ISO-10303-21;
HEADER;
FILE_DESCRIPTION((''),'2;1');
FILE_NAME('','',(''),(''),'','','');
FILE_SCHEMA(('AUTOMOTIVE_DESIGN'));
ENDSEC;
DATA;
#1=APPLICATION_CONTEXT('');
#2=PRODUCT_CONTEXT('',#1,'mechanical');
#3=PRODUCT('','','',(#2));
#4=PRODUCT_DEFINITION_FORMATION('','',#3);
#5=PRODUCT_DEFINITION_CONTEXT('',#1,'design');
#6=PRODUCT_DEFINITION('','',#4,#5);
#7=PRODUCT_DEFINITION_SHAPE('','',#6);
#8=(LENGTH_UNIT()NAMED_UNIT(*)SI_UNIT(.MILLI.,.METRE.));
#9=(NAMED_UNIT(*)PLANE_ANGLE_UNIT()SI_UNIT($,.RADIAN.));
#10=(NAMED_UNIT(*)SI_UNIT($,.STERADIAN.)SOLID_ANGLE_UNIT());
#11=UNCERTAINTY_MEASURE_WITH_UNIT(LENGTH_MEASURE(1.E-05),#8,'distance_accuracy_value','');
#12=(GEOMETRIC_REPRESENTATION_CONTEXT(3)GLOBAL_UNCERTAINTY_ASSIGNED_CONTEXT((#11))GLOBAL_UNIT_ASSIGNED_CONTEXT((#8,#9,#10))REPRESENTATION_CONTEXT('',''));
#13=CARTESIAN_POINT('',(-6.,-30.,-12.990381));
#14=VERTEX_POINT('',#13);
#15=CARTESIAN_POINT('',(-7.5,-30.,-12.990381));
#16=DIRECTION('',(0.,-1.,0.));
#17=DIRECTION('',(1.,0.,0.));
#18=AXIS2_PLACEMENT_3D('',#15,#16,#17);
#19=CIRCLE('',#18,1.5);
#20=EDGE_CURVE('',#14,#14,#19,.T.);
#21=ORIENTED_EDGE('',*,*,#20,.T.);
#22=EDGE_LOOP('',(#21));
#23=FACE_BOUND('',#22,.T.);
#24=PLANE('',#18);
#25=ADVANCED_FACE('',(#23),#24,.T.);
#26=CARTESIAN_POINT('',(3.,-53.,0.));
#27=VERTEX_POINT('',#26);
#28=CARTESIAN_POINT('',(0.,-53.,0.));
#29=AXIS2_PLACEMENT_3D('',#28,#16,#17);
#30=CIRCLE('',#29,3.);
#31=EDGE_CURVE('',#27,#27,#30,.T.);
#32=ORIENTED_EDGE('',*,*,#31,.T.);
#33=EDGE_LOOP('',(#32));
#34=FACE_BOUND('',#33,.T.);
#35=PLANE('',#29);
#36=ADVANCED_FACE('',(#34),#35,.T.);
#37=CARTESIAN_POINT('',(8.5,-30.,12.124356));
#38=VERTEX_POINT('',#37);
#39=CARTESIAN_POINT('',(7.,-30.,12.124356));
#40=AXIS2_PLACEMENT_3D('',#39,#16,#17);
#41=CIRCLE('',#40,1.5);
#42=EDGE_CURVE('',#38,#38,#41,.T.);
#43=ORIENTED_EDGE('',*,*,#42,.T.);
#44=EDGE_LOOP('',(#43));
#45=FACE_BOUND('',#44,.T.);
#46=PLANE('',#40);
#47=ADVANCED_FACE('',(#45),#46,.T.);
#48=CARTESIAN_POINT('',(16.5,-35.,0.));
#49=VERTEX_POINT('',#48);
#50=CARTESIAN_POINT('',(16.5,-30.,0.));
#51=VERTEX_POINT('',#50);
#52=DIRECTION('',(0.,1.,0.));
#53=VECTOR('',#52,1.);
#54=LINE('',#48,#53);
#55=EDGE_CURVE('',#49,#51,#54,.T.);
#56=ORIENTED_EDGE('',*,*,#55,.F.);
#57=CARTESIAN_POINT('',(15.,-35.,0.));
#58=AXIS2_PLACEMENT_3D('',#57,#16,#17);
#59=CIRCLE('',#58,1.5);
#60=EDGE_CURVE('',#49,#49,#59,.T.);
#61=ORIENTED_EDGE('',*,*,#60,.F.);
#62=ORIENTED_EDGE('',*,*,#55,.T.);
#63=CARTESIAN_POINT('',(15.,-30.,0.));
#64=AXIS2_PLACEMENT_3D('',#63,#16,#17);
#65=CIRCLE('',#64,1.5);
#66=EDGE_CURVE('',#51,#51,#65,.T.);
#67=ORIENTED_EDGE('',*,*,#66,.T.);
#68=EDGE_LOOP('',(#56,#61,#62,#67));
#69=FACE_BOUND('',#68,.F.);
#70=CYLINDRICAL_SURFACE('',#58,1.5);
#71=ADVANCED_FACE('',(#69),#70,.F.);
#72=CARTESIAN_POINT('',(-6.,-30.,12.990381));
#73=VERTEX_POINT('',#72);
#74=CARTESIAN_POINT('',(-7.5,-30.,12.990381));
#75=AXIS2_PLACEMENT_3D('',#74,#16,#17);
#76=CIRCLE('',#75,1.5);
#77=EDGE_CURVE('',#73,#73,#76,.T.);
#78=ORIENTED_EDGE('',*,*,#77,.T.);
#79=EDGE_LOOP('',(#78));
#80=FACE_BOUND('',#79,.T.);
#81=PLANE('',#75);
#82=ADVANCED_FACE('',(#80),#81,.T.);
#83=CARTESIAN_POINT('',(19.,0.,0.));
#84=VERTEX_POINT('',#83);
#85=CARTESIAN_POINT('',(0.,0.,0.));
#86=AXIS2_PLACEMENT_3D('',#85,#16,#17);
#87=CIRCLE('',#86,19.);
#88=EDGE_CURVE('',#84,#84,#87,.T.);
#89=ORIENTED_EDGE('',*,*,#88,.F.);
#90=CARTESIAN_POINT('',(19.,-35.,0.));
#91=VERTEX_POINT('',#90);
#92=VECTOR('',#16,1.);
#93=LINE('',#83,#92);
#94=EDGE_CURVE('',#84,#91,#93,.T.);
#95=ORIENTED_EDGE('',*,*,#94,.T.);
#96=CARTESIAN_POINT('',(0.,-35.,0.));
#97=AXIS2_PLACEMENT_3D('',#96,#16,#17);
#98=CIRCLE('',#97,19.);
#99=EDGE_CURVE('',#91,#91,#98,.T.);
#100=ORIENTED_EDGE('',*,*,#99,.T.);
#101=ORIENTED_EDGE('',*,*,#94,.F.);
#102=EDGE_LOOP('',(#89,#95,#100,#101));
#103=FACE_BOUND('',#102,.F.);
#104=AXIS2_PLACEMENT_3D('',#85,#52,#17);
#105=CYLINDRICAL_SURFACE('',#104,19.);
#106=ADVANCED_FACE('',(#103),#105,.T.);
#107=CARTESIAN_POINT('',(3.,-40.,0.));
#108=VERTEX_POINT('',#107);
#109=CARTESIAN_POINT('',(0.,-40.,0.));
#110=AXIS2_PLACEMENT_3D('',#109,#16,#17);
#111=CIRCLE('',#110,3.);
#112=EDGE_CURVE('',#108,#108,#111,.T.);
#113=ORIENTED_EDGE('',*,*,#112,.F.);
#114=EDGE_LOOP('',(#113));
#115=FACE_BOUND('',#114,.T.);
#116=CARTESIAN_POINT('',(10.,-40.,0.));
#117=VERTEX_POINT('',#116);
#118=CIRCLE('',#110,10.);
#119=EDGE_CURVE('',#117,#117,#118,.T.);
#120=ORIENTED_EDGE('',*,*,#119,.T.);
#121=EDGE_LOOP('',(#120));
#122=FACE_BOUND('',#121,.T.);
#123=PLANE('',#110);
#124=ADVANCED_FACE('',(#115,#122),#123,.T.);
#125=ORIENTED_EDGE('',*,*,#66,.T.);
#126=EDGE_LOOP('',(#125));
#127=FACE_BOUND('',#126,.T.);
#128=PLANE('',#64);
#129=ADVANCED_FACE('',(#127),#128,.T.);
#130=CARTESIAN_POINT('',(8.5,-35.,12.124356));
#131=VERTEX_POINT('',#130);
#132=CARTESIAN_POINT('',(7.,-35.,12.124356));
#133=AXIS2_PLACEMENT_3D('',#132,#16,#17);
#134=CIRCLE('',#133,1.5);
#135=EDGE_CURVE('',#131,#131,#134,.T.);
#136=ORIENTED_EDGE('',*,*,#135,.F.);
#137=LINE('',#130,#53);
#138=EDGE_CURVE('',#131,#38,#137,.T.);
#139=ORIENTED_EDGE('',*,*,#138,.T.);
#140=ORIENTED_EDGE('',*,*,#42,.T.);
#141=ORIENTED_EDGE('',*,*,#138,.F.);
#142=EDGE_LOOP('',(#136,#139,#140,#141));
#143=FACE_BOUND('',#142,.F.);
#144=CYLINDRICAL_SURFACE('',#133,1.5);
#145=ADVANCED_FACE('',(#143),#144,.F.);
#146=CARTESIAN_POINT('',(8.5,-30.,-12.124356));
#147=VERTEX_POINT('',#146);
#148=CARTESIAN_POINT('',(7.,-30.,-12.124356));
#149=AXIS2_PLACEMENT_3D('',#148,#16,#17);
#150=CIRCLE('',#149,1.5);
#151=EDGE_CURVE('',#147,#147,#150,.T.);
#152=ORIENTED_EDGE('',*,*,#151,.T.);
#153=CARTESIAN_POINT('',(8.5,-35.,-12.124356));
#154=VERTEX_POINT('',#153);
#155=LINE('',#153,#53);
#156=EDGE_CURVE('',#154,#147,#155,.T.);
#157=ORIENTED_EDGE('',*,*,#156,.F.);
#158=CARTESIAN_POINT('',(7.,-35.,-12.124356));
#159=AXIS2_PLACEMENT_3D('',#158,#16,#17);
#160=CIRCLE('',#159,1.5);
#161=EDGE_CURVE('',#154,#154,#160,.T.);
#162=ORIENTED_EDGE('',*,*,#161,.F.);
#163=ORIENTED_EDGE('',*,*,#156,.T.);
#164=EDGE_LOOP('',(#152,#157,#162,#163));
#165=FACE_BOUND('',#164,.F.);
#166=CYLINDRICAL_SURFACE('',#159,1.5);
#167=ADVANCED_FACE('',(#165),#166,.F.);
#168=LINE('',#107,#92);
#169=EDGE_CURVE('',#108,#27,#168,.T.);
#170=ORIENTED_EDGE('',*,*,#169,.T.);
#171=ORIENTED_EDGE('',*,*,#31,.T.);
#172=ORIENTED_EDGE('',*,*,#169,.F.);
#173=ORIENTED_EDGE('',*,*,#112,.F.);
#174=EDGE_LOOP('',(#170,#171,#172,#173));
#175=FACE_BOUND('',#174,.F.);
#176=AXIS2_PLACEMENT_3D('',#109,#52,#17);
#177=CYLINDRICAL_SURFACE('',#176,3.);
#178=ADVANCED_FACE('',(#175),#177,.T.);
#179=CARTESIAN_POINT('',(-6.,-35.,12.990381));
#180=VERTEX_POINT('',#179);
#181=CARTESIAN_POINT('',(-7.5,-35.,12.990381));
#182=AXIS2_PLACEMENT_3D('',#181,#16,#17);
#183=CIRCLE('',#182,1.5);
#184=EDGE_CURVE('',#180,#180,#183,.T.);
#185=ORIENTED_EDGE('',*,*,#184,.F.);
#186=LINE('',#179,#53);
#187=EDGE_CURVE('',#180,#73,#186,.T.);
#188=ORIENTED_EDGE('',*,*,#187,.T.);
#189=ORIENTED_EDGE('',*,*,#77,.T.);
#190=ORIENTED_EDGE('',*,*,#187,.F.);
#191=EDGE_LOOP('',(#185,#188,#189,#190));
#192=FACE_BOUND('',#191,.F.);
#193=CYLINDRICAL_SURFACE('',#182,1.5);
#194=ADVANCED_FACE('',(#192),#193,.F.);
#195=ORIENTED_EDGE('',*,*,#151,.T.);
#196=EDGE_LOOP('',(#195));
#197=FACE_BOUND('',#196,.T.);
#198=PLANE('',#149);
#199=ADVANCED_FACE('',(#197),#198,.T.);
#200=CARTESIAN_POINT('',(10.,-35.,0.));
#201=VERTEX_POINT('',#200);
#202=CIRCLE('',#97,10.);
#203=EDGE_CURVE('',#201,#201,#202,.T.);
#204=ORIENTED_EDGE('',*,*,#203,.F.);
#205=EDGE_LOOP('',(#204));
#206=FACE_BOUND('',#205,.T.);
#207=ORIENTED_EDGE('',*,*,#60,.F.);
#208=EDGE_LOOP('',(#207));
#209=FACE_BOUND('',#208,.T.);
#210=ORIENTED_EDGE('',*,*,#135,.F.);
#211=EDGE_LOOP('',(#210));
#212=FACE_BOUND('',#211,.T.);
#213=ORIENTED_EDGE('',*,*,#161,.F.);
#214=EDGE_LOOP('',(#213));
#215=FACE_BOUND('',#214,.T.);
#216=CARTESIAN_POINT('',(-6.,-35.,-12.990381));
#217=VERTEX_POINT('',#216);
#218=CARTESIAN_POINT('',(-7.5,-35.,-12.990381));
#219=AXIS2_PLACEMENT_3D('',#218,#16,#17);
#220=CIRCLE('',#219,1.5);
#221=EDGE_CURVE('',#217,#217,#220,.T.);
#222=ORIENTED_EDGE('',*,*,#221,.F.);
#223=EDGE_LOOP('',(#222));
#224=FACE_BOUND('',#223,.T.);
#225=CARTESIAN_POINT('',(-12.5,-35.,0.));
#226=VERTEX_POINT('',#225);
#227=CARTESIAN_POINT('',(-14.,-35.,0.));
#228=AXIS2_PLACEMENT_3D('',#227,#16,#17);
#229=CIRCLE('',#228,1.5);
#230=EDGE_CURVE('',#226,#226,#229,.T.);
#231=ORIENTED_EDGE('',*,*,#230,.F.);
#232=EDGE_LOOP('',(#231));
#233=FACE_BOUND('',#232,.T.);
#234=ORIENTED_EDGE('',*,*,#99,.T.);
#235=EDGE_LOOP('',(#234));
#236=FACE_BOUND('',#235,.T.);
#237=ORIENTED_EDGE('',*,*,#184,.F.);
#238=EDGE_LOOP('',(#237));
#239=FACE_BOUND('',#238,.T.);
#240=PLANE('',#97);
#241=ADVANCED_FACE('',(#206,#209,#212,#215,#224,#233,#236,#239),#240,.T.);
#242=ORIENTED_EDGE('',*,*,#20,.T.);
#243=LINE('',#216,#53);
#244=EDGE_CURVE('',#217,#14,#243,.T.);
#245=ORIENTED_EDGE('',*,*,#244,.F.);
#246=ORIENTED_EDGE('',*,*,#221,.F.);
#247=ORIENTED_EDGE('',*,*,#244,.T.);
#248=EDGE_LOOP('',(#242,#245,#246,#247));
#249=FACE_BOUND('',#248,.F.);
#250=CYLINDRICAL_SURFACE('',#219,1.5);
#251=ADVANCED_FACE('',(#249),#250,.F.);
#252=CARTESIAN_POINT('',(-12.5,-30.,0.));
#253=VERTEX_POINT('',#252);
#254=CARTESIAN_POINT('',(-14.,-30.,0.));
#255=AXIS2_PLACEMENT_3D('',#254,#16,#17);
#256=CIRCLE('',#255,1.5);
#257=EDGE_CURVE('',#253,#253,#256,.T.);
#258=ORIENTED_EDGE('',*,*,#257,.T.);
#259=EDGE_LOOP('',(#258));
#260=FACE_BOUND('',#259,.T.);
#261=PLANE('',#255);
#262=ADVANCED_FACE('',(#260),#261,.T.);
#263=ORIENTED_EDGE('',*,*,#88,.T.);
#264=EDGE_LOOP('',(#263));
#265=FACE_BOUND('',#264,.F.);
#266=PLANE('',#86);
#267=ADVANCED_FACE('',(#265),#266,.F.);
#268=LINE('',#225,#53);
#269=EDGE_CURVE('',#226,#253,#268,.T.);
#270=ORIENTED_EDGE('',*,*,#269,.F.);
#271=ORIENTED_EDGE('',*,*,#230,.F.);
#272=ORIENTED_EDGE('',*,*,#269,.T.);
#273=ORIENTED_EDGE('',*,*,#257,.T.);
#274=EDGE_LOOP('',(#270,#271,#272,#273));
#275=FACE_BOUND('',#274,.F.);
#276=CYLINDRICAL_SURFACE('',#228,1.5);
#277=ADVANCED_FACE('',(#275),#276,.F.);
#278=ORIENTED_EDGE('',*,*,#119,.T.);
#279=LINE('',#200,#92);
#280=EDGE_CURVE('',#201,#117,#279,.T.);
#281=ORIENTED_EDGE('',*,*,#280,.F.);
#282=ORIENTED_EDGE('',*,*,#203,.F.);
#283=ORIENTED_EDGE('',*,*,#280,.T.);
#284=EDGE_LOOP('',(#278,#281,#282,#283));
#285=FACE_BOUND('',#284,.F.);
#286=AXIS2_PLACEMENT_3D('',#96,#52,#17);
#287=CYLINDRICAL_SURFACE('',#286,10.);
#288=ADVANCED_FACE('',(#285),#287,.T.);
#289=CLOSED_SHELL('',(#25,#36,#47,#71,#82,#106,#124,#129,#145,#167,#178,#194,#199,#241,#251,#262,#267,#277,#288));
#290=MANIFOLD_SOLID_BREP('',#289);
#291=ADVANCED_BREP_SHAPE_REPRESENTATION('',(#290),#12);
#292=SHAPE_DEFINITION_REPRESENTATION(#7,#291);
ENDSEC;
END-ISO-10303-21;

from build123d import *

# Parameters (mm, degrees)
F0_R     = 19
F1_DEPTH = 35
F2_R     = 10
F3_DEPTH = 5
F4_R     = 3
F5_DEPTH = 13
F6_R     = 1.5
F7_DEPTH = 5


with BuildPart() as f1:
    # F0 (on Front) → F1 (new body)
    with BuildSketch(Plane.XZ):
        Circle(F0_R)
    extrude(amount=F1_DEPTH)

    # F2 (on face) → F3 (join)
    with BuildSketch(Plane.XZ.offset(35)):
        Circle(F2_R)
    extrude(amount=F3_DEPTH)

    # F4 (on face) → F5 (join)
    with BuildSketch(Plane.XZ.offset(40)):
        Circle(F4_R)
    extrude(amount=F5_DEPTH)

    # F6 (on face) → F7 (cut)
    with BuildSketch(Plane.XZ.offset(35)):
        with Locations((-7.5, 12.990381)):
            Circle(F6_R)
        with Locations((-14, 0)):
            Circle(F6_R)
        with Locations((-7.5, -12.990381)):
            Circle(F6_R)
        with Locations((7, -12.124356)):
            Circle(F6_R)
        with Locations((15, 0)):
            Circle(F6_R)
        with Locations((7, 12.124356)):
            Circle(F6_R)
    extrude(amount=-F7_DEPTH, mode=Mode.SUBTRACT)


solid = f1.part
